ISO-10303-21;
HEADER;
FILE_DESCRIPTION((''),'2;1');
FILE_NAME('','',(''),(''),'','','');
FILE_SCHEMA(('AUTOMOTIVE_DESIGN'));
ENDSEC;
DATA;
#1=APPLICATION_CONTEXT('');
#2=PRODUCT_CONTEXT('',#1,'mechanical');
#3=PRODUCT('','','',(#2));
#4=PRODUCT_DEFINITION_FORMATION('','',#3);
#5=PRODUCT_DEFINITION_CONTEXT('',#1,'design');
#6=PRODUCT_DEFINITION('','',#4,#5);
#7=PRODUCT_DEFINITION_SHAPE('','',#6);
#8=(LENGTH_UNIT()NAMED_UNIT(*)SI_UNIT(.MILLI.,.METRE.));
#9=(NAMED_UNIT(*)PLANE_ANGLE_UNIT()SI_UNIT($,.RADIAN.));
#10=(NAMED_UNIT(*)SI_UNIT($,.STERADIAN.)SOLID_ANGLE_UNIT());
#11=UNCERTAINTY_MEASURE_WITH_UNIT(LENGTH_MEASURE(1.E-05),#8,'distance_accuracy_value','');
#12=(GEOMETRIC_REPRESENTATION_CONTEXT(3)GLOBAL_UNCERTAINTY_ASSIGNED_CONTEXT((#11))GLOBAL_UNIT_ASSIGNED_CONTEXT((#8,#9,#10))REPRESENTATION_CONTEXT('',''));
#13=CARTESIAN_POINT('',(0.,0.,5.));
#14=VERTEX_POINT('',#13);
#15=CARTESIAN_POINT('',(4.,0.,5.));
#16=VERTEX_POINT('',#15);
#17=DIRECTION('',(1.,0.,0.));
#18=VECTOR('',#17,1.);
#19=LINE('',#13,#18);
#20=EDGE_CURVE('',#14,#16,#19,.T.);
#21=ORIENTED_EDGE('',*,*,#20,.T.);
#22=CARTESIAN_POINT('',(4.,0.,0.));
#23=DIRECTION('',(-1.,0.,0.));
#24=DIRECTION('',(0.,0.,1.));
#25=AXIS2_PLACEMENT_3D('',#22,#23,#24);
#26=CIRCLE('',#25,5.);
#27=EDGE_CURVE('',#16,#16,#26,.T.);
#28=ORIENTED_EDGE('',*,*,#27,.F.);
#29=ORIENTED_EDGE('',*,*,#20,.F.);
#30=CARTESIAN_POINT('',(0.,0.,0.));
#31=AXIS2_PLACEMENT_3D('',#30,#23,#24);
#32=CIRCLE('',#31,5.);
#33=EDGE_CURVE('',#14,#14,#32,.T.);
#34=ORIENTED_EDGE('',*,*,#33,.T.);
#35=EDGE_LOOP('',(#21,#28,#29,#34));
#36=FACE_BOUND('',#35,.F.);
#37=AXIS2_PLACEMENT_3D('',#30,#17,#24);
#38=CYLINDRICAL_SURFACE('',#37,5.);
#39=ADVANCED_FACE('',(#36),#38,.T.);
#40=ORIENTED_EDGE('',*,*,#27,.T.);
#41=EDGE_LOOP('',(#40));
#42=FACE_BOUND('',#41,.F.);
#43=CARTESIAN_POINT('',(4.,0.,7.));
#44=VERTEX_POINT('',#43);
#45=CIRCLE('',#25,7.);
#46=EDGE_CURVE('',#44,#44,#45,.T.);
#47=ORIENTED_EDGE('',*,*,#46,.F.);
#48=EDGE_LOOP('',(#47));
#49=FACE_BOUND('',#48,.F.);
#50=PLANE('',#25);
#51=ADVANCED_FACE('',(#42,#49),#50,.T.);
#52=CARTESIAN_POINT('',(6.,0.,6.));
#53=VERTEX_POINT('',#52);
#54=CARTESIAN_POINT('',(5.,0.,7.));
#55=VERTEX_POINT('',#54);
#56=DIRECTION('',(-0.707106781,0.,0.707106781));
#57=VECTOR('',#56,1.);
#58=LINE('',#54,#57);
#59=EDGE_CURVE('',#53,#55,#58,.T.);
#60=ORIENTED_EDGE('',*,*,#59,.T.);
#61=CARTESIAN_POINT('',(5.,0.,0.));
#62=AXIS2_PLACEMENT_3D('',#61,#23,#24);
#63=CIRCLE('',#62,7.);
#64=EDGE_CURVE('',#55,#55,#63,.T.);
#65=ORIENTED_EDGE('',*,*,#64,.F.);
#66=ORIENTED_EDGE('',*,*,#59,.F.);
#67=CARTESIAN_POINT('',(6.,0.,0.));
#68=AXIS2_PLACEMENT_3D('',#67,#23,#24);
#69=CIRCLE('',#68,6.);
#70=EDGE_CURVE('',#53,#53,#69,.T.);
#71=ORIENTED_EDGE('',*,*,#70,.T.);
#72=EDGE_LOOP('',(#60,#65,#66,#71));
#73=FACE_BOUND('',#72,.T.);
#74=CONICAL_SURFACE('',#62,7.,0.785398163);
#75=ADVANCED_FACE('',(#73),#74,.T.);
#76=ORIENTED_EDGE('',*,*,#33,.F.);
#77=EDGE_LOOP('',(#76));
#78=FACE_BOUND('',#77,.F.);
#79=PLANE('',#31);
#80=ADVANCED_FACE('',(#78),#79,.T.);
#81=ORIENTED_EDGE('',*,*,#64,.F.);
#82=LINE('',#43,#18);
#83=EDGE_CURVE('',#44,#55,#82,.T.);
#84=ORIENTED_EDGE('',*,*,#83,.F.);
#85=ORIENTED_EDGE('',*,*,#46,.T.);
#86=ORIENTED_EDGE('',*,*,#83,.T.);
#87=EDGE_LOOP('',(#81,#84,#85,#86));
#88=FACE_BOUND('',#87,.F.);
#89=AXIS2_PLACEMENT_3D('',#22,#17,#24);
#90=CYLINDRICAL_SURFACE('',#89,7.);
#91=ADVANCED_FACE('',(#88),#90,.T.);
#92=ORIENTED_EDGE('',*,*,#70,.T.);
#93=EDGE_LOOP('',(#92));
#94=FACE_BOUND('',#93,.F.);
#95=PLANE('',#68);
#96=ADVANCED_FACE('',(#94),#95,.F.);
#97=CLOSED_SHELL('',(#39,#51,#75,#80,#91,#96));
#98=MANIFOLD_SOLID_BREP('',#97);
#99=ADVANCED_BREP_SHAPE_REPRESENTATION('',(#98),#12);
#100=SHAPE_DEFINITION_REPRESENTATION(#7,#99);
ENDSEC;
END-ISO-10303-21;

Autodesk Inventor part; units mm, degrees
ref_plane "YZ Plane" through (0, 0, 0) normal (1, 0, 0) x (0, 1, 0)
ref_plane "XZ Plane" through (0, 0, 0) normal (0, 1, 0) x (-1, 0, 0)
ref_plane "XY Plane" through (0, 0, 0) normal (0, 0, 1) x (1, 0, 0)
sketch "Skizze1" plane through (0, 0, 0) normal (0, 1, 0) x (-1, 0, 0)
  line L0 (0, 0) -> (0, 5)
  line L1 (0, 5) -> (-4, 5)
  line L2 (-4, 5) -> (-4, 7)
  line L3 (-4, 7) -> (-6, 7)
  line L4 (-6, 7) -> (-6, 0)
  line L5 (-6, 0) -> (0, 0)
  dimension "d0" = 14
  dimension "d1" = 10
  dimension "d2" = 2
  dimension "d3" = 4
revolve "Umdrehung1" add sketch "Skizze1" angle 360 about axis through (6, 0, 0) along (-1, 0, 0)
chamfer "Fasen1" distance 1 angle 45 1 edges at (6, 0, -7)
thread "Gewinde1" size "M10x1.5" class "6g" standard "ISO Metric profile" length 4
properties part number "1072"
